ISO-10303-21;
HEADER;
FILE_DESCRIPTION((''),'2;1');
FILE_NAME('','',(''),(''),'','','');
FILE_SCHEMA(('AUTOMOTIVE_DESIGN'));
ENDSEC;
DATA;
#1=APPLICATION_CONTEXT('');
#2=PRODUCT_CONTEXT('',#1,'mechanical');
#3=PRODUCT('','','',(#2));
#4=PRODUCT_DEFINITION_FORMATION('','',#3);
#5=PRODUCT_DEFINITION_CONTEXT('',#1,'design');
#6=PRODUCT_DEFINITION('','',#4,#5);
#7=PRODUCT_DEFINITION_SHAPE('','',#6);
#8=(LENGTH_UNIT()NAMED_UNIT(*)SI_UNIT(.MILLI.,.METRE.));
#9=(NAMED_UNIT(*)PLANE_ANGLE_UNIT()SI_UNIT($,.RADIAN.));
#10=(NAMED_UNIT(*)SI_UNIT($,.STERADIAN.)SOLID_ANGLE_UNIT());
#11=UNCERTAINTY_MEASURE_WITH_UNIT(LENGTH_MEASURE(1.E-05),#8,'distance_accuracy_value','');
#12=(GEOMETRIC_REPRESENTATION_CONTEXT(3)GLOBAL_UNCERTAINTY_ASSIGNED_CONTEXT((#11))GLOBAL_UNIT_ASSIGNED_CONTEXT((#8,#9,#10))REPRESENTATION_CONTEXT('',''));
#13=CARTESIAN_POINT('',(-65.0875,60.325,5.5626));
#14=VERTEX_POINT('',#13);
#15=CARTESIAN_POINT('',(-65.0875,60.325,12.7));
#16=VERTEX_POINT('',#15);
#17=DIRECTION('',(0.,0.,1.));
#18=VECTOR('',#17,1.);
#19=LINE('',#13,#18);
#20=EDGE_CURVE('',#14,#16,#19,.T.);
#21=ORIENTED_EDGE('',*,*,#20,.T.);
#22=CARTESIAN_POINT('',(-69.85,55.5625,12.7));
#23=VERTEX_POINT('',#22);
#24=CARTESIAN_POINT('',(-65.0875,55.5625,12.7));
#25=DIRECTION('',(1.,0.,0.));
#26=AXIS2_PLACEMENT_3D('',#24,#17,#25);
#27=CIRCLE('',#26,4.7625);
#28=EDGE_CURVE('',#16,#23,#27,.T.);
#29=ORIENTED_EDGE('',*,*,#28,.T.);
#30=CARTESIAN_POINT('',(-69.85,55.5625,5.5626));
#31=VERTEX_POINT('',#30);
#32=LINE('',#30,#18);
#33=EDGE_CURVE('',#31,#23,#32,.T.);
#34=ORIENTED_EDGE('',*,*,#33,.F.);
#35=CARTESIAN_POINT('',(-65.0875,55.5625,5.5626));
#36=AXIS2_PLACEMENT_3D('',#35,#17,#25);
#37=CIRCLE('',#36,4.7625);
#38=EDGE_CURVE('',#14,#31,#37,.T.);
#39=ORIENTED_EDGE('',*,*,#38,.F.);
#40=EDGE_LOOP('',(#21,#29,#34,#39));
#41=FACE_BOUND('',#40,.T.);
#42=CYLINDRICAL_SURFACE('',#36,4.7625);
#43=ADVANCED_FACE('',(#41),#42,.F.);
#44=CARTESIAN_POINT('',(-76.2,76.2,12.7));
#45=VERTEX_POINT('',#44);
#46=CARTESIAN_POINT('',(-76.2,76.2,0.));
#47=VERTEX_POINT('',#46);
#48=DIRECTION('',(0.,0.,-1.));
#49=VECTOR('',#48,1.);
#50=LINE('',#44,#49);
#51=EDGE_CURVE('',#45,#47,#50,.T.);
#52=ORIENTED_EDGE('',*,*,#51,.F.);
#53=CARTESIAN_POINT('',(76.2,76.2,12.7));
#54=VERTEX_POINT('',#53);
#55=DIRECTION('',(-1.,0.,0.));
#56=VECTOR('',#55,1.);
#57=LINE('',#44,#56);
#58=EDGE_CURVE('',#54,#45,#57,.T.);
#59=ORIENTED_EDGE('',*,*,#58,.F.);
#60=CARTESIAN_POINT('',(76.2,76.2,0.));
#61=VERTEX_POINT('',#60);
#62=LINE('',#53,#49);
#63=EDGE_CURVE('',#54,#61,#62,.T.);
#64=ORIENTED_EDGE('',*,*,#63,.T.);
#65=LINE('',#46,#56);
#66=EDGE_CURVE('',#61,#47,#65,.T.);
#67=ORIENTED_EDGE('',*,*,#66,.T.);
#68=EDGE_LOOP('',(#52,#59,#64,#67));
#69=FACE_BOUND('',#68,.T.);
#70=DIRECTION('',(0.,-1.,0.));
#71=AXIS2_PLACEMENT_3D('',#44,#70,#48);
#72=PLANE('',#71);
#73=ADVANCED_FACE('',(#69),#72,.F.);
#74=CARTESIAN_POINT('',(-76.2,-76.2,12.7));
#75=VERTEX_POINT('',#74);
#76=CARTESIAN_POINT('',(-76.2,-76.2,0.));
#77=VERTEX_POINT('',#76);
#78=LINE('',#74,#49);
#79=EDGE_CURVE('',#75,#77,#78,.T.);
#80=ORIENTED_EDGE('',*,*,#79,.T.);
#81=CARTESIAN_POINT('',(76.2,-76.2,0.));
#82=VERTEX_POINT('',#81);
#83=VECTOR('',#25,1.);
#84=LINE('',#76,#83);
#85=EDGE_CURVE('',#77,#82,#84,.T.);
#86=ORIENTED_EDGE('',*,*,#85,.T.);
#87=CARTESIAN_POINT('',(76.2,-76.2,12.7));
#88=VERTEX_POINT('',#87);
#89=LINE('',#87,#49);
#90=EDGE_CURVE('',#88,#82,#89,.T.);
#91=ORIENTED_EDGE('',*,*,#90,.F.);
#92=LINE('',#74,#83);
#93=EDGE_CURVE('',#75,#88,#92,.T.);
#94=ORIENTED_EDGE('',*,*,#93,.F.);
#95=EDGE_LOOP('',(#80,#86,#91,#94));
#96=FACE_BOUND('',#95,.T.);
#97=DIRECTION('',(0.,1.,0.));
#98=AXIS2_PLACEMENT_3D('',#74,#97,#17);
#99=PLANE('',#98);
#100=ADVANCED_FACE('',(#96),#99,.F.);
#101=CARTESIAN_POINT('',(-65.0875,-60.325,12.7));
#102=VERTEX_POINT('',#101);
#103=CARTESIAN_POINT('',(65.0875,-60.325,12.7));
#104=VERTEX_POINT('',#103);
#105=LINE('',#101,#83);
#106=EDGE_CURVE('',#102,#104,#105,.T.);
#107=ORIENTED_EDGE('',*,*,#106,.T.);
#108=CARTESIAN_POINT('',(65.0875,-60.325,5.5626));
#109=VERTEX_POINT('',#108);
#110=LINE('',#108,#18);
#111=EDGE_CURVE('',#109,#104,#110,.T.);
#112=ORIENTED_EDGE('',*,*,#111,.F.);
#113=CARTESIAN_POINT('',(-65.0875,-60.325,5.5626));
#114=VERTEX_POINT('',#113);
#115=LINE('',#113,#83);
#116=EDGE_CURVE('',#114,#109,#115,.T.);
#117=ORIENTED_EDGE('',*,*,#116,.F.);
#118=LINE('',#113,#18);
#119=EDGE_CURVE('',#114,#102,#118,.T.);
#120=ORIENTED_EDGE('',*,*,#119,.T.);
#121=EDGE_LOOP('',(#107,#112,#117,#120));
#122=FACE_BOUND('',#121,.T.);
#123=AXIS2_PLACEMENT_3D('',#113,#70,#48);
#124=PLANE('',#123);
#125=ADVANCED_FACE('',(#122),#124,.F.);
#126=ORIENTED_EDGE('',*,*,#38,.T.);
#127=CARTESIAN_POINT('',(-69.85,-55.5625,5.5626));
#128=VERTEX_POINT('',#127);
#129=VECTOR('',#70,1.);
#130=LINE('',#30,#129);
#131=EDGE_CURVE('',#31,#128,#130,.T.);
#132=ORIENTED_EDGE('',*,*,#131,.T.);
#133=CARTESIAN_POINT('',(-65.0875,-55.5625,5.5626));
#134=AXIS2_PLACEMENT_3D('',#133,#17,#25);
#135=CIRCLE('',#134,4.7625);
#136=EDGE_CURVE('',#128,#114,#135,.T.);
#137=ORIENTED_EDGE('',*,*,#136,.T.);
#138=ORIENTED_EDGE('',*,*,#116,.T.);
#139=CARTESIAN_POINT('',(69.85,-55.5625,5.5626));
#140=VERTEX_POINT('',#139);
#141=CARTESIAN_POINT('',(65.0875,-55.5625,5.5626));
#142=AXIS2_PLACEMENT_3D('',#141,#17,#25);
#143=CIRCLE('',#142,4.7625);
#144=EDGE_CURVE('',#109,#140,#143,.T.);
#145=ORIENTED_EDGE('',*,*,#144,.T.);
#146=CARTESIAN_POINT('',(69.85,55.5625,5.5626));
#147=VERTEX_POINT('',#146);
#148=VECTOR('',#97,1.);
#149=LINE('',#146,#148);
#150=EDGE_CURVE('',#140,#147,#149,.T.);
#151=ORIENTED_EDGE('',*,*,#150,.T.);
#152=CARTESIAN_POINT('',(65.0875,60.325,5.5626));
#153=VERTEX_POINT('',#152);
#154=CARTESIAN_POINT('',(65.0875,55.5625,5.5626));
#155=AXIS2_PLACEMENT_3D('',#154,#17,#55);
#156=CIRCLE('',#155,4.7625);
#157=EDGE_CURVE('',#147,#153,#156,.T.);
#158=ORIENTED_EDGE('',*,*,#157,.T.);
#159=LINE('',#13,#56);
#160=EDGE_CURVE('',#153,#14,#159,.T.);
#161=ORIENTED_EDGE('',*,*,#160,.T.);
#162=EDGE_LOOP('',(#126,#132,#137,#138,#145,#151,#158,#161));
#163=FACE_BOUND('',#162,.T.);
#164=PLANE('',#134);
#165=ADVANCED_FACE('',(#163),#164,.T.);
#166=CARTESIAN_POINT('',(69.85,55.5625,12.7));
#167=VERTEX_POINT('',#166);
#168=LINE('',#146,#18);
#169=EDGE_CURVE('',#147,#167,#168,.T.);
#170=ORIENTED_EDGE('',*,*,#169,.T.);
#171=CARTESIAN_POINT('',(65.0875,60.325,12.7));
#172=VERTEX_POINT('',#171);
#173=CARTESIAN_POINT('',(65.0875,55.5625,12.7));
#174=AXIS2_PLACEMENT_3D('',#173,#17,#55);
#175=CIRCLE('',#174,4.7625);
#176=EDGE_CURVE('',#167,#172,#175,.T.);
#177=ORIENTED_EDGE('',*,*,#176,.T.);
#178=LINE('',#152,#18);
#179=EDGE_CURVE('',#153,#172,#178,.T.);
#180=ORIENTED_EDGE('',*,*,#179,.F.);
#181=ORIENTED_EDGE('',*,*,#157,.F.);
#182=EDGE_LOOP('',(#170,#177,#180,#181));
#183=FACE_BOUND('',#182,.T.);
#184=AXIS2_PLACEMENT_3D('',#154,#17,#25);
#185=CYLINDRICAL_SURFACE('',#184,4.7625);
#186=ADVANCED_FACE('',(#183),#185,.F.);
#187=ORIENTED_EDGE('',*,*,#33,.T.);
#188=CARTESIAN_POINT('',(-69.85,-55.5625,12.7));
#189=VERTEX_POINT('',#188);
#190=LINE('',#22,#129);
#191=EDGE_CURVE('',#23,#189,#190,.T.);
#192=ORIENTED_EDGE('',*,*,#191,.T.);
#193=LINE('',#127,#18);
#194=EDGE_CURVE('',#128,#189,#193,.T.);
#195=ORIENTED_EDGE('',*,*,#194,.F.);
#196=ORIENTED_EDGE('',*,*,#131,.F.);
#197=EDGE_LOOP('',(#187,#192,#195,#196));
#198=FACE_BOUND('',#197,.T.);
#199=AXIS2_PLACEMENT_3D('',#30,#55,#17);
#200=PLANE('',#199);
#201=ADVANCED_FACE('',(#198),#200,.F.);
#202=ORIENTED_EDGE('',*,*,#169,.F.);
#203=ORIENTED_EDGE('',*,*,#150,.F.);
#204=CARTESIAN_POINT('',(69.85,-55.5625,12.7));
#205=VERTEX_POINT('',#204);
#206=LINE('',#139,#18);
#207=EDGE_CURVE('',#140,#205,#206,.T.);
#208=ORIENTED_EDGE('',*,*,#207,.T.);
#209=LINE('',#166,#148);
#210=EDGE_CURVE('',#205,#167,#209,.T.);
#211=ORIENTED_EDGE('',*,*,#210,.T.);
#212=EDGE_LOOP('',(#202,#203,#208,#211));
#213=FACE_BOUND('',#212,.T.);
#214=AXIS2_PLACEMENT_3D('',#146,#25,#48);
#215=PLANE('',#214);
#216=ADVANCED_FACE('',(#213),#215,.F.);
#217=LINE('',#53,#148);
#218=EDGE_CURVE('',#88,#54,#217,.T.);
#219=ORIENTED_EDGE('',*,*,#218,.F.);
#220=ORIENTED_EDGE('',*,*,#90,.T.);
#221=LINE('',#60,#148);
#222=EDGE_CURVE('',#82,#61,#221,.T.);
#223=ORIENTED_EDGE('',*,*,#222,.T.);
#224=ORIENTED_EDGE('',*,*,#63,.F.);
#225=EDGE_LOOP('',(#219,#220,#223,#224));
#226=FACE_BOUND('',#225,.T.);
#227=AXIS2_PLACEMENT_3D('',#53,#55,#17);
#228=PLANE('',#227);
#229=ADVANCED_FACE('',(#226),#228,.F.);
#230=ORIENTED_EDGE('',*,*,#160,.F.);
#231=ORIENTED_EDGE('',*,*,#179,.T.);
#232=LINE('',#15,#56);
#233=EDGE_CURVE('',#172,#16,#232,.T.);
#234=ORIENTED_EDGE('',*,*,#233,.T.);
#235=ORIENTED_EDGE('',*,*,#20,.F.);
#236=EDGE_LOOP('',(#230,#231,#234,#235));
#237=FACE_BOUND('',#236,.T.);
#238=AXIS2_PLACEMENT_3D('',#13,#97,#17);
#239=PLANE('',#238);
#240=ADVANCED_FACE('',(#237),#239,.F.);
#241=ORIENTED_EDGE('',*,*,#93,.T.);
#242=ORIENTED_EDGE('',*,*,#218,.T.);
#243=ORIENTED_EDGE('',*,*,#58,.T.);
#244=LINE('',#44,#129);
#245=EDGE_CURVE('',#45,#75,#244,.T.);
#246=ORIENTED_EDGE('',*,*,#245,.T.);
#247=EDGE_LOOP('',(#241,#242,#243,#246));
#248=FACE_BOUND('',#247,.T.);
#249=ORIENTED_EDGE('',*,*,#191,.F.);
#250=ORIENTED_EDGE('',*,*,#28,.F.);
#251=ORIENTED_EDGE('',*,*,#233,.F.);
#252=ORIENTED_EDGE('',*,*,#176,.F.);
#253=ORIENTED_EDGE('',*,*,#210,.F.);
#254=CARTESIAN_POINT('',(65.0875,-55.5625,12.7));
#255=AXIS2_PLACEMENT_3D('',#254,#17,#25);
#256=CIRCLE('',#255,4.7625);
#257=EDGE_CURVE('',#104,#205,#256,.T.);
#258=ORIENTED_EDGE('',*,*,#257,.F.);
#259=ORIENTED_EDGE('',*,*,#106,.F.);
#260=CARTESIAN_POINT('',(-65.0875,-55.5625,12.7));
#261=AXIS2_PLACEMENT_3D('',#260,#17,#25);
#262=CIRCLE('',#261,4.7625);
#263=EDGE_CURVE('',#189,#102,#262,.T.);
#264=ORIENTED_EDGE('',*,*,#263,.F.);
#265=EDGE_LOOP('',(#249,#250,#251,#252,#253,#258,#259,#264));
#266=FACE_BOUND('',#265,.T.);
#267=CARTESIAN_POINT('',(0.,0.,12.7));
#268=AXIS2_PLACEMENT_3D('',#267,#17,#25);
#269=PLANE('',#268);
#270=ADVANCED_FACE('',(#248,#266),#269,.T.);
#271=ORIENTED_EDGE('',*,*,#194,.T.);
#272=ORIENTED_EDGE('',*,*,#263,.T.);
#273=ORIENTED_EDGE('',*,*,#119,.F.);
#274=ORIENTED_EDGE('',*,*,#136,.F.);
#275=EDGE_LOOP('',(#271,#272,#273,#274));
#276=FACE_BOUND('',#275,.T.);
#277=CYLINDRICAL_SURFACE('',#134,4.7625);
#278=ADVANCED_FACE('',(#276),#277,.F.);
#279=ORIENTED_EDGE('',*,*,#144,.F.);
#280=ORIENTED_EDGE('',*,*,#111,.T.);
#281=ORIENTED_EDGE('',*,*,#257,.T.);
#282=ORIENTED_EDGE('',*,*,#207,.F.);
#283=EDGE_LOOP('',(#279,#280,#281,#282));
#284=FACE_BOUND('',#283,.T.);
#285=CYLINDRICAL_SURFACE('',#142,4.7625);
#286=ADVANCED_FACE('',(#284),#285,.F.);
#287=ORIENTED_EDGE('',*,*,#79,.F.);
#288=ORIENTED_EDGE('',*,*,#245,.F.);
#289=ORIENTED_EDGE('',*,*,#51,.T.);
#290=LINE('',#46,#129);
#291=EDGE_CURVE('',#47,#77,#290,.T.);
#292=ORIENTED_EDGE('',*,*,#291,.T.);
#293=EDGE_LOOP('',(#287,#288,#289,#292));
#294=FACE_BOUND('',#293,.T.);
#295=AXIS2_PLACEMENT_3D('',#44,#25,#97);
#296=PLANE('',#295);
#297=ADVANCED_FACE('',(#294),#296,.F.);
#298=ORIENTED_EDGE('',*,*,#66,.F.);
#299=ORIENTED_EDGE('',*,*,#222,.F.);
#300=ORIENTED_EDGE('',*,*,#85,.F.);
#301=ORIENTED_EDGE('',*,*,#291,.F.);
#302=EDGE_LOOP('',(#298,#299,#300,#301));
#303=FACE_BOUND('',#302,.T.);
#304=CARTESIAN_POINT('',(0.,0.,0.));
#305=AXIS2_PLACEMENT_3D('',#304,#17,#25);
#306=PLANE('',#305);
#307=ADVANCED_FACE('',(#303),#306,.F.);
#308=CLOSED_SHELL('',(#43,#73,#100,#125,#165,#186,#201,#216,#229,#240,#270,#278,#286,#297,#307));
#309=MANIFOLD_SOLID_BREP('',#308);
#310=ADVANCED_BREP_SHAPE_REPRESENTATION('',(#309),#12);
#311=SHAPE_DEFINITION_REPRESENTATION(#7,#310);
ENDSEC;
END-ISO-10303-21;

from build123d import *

# Parameters (mm, degrees)
SKETCH1_W           = 152.4
SKETCH1_H           = 152.4
BOSS_EXTRUDE1_DEPTH = 12.7
CUT_EXTRUDE1_DEPTH  = 7.1374


with BuildPart() as part:
    # Sketch1 → Boss-Extrude1 (new body)
    with BuildSketch(Plane.XY):
        Rectangle(SKETCH1_W, SKETCH1_H)
    extrude(amount=BOSS_EXTRUDE1_DEPTH)

    # Sketch2 → Cut-Extrude1 (cut)
    with BuildSketch(Plane.XY.offset(12.7)):
        with BuildLine():
            Line((-65.0875, 60.325), (65.0875, 60.325))
            ThreePointArc((65.0875, 60.325), (68.455096045, 58.930096045), (69.85, 55.5625))
            Line((69.85, 55.5625), (69.85, -55.5625))
            ThreePointArc((69.85, -55.5625), (68.455096045, -58.930096045), (65.0875, -60.325))
            Line((65.0875, -60.325), (-65.0875, -60.325))
            ThreePointArc((-65.0875, -60.325), (-68.455096045, -58.930096045), (-69.85, -55.5625))
            Line((-69.85, -55.5625), (-69.85, 55.5625))
            ThreePointArc((-69.85, 55.5625), (-68.455096045, 58.930096045), (-65.0875, 60.325))
        make_face()
    extrude(amount=-CUT_EXTRUDE1_DEPTH, mode=Mode.SUBTRACT)


solid = part.part
